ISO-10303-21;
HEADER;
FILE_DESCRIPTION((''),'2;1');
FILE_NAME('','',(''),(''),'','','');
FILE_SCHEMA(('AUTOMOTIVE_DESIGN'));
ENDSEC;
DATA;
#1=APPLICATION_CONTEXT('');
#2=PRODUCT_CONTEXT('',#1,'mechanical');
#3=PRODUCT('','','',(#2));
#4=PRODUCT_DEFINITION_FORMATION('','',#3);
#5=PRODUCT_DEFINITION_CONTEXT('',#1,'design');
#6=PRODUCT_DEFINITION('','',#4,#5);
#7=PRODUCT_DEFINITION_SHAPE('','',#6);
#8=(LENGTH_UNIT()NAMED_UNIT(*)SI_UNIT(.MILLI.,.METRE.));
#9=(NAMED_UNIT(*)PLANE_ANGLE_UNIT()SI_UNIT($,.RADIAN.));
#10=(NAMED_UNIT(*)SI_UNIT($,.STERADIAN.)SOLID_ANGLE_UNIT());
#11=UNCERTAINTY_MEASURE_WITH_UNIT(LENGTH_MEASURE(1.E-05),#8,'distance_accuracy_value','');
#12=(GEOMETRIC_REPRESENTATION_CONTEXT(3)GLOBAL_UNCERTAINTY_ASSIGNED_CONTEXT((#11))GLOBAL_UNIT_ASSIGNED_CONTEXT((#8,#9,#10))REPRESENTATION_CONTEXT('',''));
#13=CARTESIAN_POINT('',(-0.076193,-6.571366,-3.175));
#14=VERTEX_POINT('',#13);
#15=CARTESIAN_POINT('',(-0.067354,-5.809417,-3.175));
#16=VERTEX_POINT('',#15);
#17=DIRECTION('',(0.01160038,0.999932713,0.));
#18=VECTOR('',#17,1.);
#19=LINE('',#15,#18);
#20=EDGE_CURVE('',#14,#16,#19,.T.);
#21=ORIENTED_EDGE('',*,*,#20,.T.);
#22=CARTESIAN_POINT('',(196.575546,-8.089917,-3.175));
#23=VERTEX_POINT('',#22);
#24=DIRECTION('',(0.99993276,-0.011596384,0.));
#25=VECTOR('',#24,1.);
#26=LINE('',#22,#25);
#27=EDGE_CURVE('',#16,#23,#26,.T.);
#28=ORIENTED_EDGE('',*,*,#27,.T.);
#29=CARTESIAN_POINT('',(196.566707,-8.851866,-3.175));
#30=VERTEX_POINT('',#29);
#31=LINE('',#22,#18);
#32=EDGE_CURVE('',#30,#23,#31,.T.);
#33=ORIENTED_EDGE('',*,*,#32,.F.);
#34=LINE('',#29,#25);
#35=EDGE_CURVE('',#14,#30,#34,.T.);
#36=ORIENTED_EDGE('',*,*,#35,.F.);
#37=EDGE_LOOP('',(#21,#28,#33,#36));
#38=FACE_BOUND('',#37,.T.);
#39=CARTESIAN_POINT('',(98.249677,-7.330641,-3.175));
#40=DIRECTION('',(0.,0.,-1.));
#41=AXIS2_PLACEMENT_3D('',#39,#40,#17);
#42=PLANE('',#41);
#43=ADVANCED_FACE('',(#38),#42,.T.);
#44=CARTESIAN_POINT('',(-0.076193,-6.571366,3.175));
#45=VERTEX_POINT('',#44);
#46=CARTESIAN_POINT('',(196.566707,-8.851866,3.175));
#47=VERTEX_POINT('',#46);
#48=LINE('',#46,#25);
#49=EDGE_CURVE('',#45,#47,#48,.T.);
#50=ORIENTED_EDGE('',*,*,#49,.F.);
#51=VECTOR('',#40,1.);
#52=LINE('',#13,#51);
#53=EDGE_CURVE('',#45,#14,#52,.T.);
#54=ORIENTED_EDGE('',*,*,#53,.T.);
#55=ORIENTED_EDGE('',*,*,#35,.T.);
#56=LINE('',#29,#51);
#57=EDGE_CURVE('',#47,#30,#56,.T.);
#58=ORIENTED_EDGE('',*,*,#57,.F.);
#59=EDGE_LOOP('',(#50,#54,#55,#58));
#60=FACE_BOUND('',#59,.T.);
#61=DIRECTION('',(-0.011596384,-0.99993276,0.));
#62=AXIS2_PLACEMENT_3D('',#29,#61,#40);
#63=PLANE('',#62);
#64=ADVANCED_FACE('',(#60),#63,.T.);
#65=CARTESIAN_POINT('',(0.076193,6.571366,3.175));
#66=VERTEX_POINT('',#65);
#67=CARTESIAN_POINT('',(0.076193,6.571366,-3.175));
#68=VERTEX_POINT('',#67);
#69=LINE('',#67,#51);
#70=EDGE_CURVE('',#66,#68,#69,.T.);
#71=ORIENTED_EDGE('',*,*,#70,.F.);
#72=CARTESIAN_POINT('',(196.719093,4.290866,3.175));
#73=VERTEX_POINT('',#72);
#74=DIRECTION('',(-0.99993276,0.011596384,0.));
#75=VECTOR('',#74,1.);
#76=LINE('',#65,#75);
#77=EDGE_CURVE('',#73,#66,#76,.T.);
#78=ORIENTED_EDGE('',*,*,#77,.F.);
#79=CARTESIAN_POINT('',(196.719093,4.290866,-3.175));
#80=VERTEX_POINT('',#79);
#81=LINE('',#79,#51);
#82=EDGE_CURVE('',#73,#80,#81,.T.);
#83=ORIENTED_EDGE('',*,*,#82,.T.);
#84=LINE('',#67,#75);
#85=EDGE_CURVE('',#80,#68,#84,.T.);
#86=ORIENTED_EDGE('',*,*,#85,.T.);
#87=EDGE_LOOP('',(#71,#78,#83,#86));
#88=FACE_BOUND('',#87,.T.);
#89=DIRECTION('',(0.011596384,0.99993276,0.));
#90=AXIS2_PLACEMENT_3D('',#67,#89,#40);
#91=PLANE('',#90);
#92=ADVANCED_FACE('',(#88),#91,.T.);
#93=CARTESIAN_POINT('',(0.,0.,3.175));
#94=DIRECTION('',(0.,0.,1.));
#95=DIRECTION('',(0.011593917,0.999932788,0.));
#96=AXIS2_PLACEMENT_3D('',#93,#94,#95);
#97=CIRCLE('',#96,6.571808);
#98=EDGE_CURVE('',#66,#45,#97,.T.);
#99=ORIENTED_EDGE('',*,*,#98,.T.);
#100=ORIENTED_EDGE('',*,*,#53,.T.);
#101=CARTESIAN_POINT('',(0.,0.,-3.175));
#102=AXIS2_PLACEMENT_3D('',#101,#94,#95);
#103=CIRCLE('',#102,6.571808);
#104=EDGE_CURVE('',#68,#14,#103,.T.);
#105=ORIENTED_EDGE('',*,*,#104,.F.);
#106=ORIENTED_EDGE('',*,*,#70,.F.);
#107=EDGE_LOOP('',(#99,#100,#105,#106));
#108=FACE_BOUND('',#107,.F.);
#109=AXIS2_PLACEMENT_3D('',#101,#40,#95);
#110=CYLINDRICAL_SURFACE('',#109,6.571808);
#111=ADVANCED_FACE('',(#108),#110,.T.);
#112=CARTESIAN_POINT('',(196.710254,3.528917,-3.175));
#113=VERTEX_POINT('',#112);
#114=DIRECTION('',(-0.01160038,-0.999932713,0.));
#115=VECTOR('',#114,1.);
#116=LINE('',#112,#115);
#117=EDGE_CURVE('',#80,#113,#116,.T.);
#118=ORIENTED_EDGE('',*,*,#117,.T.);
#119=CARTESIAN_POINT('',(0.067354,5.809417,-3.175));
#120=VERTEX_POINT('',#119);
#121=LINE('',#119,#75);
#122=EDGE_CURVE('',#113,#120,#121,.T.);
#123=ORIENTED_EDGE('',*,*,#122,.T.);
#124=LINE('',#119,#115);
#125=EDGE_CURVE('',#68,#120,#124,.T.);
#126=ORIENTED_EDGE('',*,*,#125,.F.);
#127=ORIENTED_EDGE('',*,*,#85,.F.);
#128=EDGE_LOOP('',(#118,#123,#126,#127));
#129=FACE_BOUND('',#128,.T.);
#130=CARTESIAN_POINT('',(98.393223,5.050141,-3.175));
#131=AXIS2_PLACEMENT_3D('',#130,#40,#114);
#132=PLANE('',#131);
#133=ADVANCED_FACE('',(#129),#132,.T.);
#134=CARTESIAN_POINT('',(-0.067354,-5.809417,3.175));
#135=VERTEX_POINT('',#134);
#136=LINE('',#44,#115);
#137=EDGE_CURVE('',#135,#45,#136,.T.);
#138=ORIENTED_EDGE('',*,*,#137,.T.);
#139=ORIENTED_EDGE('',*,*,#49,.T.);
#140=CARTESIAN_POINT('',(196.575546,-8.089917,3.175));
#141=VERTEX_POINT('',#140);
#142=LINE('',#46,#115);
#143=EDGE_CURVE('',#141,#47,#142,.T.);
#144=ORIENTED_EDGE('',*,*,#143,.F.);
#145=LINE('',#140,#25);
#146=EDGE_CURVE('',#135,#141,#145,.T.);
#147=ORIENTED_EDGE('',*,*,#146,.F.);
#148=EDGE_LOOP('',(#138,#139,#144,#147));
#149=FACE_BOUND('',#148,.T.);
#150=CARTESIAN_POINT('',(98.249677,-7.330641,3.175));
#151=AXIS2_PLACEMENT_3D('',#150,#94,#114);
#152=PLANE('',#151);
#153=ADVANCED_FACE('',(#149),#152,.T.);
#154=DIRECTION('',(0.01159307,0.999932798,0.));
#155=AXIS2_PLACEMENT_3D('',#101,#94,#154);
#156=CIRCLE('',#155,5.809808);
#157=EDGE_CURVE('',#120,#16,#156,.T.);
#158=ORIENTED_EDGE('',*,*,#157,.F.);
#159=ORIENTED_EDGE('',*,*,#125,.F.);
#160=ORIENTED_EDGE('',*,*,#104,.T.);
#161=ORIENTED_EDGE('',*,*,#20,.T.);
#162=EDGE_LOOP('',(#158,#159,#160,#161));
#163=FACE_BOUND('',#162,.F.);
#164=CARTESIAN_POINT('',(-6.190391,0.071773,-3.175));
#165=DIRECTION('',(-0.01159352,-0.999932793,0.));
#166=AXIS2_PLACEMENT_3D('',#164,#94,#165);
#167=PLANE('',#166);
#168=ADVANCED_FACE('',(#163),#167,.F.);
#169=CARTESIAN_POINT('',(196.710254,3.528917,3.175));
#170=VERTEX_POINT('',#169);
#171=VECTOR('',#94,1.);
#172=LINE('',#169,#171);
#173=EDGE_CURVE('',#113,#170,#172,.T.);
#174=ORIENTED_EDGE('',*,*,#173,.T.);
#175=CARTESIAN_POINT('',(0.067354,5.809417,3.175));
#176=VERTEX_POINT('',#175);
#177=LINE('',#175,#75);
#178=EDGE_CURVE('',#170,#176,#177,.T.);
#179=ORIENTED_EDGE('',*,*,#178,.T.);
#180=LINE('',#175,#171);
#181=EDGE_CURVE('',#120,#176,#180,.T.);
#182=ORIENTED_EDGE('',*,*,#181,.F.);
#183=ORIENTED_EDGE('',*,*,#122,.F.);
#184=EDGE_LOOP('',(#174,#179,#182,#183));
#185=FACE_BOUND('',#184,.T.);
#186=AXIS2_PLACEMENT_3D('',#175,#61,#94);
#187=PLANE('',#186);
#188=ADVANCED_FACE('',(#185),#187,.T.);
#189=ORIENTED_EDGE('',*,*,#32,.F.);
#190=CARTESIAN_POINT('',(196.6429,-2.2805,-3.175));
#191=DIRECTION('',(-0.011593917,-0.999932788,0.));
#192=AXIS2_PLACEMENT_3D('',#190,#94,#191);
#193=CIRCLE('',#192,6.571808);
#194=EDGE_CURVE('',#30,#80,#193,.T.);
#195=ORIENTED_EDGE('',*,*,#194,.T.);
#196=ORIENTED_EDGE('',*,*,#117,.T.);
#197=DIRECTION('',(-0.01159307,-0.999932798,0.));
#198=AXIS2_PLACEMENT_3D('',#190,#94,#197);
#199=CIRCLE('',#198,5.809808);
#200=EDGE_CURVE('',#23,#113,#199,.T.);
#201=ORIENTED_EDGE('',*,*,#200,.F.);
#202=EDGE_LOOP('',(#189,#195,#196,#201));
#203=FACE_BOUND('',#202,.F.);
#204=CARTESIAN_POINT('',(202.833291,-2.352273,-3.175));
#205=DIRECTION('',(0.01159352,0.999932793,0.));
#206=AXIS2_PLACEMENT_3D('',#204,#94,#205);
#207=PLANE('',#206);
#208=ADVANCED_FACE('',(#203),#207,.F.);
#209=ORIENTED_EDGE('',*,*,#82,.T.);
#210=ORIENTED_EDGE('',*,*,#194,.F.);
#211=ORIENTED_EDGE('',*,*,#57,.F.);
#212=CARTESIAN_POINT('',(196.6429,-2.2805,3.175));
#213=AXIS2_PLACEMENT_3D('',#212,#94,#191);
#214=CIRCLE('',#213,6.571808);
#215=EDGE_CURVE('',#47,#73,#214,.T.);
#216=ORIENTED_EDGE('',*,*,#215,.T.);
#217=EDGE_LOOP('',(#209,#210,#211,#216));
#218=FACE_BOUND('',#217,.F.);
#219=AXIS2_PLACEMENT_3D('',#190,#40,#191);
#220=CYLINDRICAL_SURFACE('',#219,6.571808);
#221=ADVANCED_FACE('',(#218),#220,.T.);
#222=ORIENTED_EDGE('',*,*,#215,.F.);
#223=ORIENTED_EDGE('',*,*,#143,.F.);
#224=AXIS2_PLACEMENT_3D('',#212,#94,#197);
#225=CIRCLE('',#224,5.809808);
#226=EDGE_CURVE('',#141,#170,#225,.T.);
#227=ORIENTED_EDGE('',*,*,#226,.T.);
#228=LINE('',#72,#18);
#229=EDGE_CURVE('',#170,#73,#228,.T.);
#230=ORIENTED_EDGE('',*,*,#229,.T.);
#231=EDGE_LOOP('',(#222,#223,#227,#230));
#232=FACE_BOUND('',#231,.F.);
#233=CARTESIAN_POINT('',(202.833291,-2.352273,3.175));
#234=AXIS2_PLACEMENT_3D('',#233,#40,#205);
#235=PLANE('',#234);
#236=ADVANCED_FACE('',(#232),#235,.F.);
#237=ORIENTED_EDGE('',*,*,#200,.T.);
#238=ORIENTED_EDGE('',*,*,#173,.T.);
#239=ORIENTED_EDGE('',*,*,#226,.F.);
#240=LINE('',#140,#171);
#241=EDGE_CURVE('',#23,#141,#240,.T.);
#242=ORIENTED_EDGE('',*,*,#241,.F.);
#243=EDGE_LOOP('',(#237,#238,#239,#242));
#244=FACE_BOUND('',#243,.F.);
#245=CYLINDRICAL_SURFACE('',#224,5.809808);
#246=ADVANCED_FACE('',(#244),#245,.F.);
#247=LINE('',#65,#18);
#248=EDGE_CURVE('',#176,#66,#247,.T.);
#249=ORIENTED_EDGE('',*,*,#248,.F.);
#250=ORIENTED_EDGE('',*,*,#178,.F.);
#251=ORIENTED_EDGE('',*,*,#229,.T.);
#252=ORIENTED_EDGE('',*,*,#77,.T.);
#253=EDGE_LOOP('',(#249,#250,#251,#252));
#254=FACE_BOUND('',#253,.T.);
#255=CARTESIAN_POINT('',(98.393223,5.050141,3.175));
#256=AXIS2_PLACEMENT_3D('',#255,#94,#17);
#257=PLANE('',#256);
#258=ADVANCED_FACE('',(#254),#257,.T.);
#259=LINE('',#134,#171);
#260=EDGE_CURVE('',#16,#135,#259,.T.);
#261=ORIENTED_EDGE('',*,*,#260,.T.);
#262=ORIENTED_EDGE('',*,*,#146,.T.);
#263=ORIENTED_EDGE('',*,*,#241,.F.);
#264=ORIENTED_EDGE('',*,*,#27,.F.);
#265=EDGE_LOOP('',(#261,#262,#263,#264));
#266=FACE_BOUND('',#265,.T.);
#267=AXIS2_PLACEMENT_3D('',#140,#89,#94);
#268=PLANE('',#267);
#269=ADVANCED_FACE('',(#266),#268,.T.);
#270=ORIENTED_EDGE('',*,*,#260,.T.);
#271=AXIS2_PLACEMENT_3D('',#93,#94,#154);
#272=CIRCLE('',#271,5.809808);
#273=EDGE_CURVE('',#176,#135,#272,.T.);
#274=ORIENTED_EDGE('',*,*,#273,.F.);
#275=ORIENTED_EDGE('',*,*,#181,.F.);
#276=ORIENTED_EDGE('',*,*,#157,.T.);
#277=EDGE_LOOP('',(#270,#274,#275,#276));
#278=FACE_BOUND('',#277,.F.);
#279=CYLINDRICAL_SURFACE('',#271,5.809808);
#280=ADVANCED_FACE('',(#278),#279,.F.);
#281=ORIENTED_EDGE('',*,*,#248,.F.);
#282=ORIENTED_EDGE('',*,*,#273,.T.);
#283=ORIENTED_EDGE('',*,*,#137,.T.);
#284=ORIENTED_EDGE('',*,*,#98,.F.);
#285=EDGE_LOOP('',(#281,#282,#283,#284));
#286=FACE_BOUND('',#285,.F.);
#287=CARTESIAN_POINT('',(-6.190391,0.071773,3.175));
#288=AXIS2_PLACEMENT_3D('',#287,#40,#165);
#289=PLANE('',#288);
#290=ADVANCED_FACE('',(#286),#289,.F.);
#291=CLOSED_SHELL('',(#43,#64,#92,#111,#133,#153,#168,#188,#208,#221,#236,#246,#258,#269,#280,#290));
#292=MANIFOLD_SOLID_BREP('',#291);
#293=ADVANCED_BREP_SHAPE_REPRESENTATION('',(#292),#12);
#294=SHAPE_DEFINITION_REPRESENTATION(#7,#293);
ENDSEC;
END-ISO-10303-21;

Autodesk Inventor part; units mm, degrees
sketch "Sketch Path" plane through (0, 0, 0) normal (0, 0, 1) x (1, 0, 0)
  arc A0 (0.0703, 6.0634) -> (-0.0703, -6.0634) centre (0, 0) ccw
  arc A1 (196.5726, -8.3439) -> (196.7132, 3.7829) centre (196.6429, -2.2805) ccw
  line L0 (196.5726, -8.3439) -> (-0.0703, -6.0634)
  line L1 (0.0703, 6.0634) -> (196.7132, 3.7829)
ref_plane "Cross Section Plane" through (-0.0703, -6.0634, 0) normal (0.9999, -0.0116, 0) x (0, 0, 1)
ref_plane "Work Plane2" through (0, 0, 0) normal (-1, 0, 0) x (0, 0, 1)
ref_plane "Work Plane3" through (196.6429, -2.2805, 0) normal (-0.9995, 0.032, 0) x (0, 0, 1)
sketch "Cross Section" plane through (-0.0703, -6.0634, 0) normal (0.9999, -0.0116, 0) x (0, 0, 1)
  line L0 (-3.175, 0.508) -> (3.175, 0.508)
  line L1 (3.175, 0.508) -> (3.175, -0.254)
  line L2 (3.175, -0.254) -> (-3.175, -0.254)
  line L3 (-3.175, -0.254) -> (-3.175, 0.508)
  line L4 (-3.175, 0) -> (3.175, 0) construction
  point P0 (0, 0)
  point P1 (0, 0)
  dimension "d0" = 6.35
  dimension "d4" = 0.254
  dimension "d5" = 0.508
sweep "Belt" add profiles "Cross Section" path "Sketch Path"
equation "\"d0\" = da_B"
equation "\"d4\" = da_a"
equation "\"d5\" = da_a2"
equation "\"da_B\" = 6.35"
equation "\"da_pb\" = 3.175"
equation "\"da_L\" = 431.41219"
equation "\"da_a\" = 0.254"
equation "\"da_S\" = 1.7272"
equation "\"da_Beta\" = 25deg"
equation "\"da_Ht\" = 0.762"
equation "\"da_H\" = 1.524"
equation "\"da_a2\" = 0.508"
properties part number "Synchronous Belt" material "Rubber"
